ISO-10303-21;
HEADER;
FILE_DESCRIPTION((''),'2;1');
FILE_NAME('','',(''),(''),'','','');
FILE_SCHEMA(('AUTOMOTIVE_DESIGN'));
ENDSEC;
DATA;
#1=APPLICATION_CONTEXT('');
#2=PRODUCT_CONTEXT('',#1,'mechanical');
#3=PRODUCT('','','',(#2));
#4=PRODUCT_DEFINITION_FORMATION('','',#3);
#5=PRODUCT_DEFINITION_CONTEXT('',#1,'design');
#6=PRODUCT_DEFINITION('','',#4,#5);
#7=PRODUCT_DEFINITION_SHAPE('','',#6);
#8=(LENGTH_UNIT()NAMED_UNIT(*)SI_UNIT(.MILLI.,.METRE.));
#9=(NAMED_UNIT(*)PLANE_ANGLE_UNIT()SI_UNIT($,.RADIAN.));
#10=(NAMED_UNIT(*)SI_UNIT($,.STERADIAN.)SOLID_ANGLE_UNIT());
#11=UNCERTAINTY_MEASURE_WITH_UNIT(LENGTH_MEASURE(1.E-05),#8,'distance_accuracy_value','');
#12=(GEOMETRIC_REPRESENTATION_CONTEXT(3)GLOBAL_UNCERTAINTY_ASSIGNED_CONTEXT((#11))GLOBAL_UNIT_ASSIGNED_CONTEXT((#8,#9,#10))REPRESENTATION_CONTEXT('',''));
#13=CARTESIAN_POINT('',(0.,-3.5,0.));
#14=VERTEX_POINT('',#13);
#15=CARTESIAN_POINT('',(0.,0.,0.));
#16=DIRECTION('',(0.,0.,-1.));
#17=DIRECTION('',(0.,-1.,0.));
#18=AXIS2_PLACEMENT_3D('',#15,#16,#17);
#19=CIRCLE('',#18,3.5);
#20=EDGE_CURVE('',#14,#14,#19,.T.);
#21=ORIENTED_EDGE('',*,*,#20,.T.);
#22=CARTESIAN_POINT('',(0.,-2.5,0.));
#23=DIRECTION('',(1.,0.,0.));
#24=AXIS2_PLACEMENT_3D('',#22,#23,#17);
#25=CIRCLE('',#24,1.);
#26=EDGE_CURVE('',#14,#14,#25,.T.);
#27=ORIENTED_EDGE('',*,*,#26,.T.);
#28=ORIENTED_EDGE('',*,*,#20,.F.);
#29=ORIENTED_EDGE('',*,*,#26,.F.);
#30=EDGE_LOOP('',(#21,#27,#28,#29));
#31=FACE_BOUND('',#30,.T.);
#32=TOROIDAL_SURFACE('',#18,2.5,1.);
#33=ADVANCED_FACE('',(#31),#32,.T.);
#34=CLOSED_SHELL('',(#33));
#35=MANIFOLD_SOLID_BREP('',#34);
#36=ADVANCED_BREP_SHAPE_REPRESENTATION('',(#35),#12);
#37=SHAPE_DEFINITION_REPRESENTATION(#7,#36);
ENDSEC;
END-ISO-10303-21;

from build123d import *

# Parameters (mm, degrees)
SKETCH1_R = 1


with BuildPart() as part:
    # Sketch1 → Revolve1 (revolve)
    with BuildSketch(Plane(origin=(0, 0, 0), x_dir=(0, -1, 0), z_dir=(1, 0, 0))):
        with Locations((2.5, 0)):
            Circle(SKETCH1_R)
    revolve(axis=Axis((0, 0, 1), (0, 0, -1)))


solid = part.part
